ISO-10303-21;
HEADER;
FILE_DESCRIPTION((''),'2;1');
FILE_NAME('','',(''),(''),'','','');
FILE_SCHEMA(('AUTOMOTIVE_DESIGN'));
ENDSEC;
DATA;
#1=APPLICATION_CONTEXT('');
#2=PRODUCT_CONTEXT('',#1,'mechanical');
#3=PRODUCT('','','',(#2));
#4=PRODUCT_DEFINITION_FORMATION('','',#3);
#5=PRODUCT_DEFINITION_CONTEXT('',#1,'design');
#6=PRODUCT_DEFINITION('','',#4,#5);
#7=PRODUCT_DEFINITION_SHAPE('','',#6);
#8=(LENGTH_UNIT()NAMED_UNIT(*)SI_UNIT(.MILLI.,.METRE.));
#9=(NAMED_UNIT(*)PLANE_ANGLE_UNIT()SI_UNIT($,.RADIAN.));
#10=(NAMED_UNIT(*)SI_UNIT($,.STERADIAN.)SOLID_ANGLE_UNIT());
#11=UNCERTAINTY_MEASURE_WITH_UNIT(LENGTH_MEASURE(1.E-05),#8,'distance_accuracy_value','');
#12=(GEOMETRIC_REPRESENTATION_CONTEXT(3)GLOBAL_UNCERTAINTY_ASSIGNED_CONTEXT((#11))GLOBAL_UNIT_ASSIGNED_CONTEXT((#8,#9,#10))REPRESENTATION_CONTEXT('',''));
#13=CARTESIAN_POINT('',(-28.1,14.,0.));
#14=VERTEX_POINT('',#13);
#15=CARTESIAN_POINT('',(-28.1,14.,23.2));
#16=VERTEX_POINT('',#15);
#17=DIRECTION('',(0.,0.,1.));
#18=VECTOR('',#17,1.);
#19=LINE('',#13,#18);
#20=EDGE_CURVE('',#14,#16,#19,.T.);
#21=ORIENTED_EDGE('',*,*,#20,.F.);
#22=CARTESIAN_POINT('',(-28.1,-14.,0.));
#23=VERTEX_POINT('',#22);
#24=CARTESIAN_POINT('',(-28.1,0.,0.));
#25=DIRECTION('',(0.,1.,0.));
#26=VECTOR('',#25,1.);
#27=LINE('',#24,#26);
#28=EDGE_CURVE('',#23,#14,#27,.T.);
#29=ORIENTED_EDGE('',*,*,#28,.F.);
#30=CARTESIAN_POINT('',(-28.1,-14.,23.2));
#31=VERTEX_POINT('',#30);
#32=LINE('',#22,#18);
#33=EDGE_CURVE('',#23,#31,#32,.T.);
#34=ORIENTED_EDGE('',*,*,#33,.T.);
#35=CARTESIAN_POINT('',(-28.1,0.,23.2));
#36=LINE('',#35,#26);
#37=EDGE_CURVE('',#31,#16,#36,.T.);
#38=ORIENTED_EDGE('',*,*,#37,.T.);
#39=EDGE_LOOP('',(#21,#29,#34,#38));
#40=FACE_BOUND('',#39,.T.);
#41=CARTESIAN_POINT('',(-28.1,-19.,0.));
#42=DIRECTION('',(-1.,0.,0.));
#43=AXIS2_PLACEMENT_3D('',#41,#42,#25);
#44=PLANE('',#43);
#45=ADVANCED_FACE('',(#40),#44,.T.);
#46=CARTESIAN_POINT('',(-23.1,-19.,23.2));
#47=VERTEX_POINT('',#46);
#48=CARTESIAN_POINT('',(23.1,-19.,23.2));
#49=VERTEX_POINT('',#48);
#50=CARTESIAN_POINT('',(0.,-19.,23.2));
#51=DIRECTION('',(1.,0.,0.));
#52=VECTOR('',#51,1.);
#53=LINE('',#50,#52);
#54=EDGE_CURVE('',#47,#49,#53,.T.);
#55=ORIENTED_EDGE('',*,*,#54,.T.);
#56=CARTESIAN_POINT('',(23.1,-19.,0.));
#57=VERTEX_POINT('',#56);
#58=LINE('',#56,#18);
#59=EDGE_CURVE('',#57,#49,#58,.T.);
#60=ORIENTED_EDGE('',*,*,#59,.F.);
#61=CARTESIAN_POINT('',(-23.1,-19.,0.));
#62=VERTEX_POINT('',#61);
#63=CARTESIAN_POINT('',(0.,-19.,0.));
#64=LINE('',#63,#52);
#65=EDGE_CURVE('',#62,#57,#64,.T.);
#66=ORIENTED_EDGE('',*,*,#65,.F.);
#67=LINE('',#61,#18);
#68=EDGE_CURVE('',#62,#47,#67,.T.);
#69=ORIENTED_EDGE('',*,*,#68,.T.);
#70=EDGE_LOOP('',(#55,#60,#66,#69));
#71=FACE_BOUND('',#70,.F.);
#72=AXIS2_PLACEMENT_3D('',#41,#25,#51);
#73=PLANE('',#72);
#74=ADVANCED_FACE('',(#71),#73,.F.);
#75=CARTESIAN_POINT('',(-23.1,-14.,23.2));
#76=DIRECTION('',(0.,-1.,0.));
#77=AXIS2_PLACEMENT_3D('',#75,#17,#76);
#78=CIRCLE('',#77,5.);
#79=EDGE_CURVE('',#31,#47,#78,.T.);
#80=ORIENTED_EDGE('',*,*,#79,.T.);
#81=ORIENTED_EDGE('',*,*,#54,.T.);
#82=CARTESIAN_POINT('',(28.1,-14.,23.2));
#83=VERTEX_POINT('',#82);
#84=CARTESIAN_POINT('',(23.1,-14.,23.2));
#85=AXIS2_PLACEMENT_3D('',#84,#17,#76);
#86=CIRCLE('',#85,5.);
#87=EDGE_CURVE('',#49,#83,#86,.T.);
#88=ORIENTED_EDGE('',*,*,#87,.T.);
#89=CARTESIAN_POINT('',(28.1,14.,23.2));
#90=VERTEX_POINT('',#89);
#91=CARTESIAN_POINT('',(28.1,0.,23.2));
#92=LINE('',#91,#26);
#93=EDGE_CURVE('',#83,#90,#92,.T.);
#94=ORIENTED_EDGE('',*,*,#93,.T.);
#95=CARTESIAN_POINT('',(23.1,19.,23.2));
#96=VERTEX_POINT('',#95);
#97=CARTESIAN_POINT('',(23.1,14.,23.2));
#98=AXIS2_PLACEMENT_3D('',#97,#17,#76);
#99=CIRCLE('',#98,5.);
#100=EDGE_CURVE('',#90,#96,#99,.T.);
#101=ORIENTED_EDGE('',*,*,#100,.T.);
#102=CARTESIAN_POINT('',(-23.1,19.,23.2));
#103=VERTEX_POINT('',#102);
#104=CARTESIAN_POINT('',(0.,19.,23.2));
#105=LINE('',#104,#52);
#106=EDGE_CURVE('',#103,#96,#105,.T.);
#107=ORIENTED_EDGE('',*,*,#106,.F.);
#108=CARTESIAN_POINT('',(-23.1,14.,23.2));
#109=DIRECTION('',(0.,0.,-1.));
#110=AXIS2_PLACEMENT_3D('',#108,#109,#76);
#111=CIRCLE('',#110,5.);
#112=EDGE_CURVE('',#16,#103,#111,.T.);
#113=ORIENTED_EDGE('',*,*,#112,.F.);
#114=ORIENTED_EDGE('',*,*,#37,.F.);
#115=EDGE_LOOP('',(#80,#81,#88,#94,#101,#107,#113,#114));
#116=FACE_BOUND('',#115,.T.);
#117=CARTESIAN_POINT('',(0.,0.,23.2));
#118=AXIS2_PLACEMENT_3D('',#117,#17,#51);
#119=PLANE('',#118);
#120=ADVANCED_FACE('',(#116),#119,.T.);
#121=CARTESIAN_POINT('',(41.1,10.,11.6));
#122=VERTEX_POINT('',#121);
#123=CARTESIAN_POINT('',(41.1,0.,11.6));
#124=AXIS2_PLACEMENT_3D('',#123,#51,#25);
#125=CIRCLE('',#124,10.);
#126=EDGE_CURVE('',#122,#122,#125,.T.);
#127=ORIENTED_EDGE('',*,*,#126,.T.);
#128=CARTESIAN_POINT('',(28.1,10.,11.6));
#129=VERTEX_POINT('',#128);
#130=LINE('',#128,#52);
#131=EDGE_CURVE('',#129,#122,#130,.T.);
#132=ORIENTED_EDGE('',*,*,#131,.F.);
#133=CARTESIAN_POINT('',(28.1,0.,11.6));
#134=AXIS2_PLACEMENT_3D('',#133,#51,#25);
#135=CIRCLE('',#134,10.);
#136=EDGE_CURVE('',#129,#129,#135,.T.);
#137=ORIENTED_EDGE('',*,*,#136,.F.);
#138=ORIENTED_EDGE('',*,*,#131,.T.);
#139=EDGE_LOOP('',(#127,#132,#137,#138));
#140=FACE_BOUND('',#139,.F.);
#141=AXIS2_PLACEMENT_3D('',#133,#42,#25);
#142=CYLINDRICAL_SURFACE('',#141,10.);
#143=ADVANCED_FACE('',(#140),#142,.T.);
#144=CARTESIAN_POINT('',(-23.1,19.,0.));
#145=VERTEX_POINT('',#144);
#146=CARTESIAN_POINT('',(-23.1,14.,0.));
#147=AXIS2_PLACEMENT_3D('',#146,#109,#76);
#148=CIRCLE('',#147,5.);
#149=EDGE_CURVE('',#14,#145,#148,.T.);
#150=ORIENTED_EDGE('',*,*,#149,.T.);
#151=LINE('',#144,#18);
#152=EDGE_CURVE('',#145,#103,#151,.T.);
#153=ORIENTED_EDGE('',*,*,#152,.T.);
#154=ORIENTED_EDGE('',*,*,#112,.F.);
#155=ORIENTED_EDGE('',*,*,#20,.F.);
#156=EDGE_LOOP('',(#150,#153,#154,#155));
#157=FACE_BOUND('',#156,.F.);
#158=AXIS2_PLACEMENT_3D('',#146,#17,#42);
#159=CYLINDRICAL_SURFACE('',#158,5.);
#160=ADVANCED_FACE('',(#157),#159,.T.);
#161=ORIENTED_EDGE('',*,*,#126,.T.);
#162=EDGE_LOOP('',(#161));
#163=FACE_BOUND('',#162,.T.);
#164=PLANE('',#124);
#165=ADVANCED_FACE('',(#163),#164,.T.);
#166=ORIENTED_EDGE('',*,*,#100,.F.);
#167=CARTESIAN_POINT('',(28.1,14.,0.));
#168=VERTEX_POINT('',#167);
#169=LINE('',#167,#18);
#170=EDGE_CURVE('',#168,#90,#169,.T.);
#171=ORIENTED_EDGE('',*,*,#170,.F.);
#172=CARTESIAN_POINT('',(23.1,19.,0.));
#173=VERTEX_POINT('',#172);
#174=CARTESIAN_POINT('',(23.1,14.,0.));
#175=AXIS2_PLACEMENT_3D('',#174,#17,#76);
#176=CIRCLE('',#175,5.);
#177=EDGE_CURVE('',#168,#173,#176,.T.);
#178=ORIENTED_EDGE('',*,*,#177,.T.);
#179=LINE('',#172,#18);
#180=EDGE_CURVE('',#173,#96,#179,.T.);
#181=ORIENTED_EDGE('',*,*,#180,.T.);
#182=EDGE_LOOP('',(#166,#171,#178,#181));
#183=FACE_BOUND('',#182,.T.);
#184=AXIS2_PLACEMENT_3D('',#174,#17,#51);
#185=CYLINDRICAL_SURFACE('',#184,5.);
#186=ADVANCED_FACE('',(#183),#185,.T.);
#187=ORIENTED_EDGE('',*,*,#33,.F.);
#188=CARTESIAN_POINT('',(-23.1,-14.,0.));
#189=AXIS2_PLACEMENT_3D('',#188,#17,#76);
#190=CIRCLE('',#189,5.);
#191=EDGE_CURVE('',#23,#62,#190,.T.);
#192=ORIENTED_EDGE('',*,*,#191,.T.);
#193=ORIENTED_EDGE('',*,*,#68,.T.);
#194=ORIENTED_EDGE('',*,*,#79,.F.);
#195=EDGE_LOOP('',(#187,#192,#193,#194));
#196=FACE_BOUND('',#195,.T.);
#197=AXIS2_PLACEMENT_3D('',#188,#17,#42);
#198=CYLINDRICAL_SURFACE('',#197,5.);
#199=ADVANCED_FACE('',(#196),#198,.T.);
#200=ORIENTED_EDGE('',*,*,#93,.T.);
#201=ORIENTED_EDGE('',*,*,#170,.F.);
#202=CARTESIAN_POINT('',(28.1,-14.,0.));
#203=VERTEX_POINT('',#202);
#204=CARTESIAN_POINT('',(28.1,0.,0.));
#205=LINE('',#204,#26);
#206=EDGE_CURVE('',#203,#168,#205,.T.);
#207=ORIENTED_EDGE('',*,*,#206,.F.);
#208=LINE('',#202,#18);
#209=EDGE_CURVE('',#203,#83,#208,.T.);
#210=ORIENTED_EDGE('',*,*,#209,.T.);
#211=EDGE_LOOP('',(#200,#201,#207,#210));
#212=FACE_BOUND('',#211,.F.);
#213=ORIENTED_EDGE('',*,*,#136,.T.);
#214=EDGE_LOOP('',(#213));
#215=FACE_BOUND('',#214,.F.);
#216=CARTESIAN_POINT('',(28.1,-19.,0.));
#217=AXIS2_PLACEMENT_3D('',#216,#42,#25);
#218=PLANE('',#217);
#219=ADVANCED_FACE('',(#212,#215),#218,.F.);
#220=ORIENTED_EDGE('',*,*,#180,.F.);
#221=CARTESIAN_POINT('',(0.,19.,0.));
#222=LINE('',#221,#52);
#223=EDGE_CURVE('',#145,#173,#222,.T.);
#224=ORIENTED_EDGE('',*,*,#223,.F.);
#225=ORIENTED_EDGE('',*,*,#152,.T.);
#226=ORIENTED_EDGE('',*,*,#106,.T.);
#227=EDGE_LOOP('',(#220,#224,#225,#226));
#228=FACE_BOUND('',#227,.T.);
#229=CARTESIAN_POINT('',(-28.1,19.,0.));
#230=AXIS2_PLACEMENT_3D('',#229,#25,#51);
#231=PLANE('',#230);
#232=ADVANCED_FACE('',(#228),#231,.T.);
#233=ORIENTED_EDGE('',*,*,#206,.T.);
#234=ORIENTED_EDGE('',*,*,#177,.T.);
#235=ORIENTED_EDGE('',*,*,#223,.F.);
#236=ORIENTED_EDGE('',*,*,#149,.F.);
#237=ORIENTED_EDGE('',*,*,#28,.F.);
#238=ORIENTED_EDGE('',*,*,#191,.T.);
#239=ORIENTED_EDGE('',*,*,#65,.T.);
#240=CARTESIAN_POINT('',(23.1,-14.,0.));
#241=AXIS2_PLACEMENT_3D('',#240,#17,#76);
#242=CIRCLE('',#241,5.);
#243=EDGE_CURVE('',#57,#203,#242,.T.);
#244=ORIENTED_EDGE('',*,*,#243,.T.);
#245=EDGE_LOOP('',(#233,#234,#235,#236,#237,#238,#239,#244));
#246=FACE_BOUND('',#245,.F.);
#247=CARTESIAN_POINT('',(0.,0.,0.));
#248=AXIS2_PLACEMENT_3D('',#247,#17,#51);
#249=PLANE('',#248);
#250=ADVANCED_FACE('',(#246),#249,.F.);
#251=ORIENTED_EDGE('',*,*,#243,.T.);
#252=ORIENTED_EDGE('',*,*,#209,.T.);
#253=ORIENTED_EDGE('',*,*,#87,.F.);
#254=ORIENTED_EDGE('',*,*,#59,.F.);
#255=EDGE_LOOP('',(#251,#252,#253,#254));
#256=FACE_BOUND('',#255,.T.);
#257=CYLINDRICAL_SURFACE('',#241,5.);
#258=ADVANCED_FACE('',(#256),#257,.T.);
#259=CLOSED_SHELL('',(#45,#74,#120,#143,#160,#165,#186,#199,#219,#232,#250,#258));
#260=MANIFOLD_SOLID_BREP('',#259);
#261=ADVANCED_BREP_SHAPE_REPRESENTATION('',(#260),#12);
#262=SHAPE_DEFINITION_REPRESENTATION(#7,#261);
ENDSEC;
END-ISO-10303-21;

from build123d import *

# Parameters (mm, degrees)
F0_W     = 56.2
F0_H     = 38
F1_DEPTH = 23.2
F2_R     = 5
F3_R     = 10
F4_DEPTH = 13


with BuildPart() as f1:
    # F0 (on Top) → F1 (new body)
    with BuildSketch(Plane.XY):
        Rectangle(F0_W, F0_H)
    extrude(amount=F1_DEPTH)

    # F2
    f2_edges = [f1.edges().sort_by_distance(p)[0] for p in [
        (28.1, -19, 11.6),
        (28.1, 19, 11.6),
        (-28.1, 19, 11.6),
        (-28.1, -19, 11.6),
    ]]
    fillet(f2_edges, radius=F2_R)

    # F3 (on face) → F4 (join)
    with BuildSketch(Plane.YZ.offset(28.1)):
        with Locations((0, 11.6)):
            Circle(F3_R)
    extrude(amount=F4_DEPTH)


solid = f1.part
